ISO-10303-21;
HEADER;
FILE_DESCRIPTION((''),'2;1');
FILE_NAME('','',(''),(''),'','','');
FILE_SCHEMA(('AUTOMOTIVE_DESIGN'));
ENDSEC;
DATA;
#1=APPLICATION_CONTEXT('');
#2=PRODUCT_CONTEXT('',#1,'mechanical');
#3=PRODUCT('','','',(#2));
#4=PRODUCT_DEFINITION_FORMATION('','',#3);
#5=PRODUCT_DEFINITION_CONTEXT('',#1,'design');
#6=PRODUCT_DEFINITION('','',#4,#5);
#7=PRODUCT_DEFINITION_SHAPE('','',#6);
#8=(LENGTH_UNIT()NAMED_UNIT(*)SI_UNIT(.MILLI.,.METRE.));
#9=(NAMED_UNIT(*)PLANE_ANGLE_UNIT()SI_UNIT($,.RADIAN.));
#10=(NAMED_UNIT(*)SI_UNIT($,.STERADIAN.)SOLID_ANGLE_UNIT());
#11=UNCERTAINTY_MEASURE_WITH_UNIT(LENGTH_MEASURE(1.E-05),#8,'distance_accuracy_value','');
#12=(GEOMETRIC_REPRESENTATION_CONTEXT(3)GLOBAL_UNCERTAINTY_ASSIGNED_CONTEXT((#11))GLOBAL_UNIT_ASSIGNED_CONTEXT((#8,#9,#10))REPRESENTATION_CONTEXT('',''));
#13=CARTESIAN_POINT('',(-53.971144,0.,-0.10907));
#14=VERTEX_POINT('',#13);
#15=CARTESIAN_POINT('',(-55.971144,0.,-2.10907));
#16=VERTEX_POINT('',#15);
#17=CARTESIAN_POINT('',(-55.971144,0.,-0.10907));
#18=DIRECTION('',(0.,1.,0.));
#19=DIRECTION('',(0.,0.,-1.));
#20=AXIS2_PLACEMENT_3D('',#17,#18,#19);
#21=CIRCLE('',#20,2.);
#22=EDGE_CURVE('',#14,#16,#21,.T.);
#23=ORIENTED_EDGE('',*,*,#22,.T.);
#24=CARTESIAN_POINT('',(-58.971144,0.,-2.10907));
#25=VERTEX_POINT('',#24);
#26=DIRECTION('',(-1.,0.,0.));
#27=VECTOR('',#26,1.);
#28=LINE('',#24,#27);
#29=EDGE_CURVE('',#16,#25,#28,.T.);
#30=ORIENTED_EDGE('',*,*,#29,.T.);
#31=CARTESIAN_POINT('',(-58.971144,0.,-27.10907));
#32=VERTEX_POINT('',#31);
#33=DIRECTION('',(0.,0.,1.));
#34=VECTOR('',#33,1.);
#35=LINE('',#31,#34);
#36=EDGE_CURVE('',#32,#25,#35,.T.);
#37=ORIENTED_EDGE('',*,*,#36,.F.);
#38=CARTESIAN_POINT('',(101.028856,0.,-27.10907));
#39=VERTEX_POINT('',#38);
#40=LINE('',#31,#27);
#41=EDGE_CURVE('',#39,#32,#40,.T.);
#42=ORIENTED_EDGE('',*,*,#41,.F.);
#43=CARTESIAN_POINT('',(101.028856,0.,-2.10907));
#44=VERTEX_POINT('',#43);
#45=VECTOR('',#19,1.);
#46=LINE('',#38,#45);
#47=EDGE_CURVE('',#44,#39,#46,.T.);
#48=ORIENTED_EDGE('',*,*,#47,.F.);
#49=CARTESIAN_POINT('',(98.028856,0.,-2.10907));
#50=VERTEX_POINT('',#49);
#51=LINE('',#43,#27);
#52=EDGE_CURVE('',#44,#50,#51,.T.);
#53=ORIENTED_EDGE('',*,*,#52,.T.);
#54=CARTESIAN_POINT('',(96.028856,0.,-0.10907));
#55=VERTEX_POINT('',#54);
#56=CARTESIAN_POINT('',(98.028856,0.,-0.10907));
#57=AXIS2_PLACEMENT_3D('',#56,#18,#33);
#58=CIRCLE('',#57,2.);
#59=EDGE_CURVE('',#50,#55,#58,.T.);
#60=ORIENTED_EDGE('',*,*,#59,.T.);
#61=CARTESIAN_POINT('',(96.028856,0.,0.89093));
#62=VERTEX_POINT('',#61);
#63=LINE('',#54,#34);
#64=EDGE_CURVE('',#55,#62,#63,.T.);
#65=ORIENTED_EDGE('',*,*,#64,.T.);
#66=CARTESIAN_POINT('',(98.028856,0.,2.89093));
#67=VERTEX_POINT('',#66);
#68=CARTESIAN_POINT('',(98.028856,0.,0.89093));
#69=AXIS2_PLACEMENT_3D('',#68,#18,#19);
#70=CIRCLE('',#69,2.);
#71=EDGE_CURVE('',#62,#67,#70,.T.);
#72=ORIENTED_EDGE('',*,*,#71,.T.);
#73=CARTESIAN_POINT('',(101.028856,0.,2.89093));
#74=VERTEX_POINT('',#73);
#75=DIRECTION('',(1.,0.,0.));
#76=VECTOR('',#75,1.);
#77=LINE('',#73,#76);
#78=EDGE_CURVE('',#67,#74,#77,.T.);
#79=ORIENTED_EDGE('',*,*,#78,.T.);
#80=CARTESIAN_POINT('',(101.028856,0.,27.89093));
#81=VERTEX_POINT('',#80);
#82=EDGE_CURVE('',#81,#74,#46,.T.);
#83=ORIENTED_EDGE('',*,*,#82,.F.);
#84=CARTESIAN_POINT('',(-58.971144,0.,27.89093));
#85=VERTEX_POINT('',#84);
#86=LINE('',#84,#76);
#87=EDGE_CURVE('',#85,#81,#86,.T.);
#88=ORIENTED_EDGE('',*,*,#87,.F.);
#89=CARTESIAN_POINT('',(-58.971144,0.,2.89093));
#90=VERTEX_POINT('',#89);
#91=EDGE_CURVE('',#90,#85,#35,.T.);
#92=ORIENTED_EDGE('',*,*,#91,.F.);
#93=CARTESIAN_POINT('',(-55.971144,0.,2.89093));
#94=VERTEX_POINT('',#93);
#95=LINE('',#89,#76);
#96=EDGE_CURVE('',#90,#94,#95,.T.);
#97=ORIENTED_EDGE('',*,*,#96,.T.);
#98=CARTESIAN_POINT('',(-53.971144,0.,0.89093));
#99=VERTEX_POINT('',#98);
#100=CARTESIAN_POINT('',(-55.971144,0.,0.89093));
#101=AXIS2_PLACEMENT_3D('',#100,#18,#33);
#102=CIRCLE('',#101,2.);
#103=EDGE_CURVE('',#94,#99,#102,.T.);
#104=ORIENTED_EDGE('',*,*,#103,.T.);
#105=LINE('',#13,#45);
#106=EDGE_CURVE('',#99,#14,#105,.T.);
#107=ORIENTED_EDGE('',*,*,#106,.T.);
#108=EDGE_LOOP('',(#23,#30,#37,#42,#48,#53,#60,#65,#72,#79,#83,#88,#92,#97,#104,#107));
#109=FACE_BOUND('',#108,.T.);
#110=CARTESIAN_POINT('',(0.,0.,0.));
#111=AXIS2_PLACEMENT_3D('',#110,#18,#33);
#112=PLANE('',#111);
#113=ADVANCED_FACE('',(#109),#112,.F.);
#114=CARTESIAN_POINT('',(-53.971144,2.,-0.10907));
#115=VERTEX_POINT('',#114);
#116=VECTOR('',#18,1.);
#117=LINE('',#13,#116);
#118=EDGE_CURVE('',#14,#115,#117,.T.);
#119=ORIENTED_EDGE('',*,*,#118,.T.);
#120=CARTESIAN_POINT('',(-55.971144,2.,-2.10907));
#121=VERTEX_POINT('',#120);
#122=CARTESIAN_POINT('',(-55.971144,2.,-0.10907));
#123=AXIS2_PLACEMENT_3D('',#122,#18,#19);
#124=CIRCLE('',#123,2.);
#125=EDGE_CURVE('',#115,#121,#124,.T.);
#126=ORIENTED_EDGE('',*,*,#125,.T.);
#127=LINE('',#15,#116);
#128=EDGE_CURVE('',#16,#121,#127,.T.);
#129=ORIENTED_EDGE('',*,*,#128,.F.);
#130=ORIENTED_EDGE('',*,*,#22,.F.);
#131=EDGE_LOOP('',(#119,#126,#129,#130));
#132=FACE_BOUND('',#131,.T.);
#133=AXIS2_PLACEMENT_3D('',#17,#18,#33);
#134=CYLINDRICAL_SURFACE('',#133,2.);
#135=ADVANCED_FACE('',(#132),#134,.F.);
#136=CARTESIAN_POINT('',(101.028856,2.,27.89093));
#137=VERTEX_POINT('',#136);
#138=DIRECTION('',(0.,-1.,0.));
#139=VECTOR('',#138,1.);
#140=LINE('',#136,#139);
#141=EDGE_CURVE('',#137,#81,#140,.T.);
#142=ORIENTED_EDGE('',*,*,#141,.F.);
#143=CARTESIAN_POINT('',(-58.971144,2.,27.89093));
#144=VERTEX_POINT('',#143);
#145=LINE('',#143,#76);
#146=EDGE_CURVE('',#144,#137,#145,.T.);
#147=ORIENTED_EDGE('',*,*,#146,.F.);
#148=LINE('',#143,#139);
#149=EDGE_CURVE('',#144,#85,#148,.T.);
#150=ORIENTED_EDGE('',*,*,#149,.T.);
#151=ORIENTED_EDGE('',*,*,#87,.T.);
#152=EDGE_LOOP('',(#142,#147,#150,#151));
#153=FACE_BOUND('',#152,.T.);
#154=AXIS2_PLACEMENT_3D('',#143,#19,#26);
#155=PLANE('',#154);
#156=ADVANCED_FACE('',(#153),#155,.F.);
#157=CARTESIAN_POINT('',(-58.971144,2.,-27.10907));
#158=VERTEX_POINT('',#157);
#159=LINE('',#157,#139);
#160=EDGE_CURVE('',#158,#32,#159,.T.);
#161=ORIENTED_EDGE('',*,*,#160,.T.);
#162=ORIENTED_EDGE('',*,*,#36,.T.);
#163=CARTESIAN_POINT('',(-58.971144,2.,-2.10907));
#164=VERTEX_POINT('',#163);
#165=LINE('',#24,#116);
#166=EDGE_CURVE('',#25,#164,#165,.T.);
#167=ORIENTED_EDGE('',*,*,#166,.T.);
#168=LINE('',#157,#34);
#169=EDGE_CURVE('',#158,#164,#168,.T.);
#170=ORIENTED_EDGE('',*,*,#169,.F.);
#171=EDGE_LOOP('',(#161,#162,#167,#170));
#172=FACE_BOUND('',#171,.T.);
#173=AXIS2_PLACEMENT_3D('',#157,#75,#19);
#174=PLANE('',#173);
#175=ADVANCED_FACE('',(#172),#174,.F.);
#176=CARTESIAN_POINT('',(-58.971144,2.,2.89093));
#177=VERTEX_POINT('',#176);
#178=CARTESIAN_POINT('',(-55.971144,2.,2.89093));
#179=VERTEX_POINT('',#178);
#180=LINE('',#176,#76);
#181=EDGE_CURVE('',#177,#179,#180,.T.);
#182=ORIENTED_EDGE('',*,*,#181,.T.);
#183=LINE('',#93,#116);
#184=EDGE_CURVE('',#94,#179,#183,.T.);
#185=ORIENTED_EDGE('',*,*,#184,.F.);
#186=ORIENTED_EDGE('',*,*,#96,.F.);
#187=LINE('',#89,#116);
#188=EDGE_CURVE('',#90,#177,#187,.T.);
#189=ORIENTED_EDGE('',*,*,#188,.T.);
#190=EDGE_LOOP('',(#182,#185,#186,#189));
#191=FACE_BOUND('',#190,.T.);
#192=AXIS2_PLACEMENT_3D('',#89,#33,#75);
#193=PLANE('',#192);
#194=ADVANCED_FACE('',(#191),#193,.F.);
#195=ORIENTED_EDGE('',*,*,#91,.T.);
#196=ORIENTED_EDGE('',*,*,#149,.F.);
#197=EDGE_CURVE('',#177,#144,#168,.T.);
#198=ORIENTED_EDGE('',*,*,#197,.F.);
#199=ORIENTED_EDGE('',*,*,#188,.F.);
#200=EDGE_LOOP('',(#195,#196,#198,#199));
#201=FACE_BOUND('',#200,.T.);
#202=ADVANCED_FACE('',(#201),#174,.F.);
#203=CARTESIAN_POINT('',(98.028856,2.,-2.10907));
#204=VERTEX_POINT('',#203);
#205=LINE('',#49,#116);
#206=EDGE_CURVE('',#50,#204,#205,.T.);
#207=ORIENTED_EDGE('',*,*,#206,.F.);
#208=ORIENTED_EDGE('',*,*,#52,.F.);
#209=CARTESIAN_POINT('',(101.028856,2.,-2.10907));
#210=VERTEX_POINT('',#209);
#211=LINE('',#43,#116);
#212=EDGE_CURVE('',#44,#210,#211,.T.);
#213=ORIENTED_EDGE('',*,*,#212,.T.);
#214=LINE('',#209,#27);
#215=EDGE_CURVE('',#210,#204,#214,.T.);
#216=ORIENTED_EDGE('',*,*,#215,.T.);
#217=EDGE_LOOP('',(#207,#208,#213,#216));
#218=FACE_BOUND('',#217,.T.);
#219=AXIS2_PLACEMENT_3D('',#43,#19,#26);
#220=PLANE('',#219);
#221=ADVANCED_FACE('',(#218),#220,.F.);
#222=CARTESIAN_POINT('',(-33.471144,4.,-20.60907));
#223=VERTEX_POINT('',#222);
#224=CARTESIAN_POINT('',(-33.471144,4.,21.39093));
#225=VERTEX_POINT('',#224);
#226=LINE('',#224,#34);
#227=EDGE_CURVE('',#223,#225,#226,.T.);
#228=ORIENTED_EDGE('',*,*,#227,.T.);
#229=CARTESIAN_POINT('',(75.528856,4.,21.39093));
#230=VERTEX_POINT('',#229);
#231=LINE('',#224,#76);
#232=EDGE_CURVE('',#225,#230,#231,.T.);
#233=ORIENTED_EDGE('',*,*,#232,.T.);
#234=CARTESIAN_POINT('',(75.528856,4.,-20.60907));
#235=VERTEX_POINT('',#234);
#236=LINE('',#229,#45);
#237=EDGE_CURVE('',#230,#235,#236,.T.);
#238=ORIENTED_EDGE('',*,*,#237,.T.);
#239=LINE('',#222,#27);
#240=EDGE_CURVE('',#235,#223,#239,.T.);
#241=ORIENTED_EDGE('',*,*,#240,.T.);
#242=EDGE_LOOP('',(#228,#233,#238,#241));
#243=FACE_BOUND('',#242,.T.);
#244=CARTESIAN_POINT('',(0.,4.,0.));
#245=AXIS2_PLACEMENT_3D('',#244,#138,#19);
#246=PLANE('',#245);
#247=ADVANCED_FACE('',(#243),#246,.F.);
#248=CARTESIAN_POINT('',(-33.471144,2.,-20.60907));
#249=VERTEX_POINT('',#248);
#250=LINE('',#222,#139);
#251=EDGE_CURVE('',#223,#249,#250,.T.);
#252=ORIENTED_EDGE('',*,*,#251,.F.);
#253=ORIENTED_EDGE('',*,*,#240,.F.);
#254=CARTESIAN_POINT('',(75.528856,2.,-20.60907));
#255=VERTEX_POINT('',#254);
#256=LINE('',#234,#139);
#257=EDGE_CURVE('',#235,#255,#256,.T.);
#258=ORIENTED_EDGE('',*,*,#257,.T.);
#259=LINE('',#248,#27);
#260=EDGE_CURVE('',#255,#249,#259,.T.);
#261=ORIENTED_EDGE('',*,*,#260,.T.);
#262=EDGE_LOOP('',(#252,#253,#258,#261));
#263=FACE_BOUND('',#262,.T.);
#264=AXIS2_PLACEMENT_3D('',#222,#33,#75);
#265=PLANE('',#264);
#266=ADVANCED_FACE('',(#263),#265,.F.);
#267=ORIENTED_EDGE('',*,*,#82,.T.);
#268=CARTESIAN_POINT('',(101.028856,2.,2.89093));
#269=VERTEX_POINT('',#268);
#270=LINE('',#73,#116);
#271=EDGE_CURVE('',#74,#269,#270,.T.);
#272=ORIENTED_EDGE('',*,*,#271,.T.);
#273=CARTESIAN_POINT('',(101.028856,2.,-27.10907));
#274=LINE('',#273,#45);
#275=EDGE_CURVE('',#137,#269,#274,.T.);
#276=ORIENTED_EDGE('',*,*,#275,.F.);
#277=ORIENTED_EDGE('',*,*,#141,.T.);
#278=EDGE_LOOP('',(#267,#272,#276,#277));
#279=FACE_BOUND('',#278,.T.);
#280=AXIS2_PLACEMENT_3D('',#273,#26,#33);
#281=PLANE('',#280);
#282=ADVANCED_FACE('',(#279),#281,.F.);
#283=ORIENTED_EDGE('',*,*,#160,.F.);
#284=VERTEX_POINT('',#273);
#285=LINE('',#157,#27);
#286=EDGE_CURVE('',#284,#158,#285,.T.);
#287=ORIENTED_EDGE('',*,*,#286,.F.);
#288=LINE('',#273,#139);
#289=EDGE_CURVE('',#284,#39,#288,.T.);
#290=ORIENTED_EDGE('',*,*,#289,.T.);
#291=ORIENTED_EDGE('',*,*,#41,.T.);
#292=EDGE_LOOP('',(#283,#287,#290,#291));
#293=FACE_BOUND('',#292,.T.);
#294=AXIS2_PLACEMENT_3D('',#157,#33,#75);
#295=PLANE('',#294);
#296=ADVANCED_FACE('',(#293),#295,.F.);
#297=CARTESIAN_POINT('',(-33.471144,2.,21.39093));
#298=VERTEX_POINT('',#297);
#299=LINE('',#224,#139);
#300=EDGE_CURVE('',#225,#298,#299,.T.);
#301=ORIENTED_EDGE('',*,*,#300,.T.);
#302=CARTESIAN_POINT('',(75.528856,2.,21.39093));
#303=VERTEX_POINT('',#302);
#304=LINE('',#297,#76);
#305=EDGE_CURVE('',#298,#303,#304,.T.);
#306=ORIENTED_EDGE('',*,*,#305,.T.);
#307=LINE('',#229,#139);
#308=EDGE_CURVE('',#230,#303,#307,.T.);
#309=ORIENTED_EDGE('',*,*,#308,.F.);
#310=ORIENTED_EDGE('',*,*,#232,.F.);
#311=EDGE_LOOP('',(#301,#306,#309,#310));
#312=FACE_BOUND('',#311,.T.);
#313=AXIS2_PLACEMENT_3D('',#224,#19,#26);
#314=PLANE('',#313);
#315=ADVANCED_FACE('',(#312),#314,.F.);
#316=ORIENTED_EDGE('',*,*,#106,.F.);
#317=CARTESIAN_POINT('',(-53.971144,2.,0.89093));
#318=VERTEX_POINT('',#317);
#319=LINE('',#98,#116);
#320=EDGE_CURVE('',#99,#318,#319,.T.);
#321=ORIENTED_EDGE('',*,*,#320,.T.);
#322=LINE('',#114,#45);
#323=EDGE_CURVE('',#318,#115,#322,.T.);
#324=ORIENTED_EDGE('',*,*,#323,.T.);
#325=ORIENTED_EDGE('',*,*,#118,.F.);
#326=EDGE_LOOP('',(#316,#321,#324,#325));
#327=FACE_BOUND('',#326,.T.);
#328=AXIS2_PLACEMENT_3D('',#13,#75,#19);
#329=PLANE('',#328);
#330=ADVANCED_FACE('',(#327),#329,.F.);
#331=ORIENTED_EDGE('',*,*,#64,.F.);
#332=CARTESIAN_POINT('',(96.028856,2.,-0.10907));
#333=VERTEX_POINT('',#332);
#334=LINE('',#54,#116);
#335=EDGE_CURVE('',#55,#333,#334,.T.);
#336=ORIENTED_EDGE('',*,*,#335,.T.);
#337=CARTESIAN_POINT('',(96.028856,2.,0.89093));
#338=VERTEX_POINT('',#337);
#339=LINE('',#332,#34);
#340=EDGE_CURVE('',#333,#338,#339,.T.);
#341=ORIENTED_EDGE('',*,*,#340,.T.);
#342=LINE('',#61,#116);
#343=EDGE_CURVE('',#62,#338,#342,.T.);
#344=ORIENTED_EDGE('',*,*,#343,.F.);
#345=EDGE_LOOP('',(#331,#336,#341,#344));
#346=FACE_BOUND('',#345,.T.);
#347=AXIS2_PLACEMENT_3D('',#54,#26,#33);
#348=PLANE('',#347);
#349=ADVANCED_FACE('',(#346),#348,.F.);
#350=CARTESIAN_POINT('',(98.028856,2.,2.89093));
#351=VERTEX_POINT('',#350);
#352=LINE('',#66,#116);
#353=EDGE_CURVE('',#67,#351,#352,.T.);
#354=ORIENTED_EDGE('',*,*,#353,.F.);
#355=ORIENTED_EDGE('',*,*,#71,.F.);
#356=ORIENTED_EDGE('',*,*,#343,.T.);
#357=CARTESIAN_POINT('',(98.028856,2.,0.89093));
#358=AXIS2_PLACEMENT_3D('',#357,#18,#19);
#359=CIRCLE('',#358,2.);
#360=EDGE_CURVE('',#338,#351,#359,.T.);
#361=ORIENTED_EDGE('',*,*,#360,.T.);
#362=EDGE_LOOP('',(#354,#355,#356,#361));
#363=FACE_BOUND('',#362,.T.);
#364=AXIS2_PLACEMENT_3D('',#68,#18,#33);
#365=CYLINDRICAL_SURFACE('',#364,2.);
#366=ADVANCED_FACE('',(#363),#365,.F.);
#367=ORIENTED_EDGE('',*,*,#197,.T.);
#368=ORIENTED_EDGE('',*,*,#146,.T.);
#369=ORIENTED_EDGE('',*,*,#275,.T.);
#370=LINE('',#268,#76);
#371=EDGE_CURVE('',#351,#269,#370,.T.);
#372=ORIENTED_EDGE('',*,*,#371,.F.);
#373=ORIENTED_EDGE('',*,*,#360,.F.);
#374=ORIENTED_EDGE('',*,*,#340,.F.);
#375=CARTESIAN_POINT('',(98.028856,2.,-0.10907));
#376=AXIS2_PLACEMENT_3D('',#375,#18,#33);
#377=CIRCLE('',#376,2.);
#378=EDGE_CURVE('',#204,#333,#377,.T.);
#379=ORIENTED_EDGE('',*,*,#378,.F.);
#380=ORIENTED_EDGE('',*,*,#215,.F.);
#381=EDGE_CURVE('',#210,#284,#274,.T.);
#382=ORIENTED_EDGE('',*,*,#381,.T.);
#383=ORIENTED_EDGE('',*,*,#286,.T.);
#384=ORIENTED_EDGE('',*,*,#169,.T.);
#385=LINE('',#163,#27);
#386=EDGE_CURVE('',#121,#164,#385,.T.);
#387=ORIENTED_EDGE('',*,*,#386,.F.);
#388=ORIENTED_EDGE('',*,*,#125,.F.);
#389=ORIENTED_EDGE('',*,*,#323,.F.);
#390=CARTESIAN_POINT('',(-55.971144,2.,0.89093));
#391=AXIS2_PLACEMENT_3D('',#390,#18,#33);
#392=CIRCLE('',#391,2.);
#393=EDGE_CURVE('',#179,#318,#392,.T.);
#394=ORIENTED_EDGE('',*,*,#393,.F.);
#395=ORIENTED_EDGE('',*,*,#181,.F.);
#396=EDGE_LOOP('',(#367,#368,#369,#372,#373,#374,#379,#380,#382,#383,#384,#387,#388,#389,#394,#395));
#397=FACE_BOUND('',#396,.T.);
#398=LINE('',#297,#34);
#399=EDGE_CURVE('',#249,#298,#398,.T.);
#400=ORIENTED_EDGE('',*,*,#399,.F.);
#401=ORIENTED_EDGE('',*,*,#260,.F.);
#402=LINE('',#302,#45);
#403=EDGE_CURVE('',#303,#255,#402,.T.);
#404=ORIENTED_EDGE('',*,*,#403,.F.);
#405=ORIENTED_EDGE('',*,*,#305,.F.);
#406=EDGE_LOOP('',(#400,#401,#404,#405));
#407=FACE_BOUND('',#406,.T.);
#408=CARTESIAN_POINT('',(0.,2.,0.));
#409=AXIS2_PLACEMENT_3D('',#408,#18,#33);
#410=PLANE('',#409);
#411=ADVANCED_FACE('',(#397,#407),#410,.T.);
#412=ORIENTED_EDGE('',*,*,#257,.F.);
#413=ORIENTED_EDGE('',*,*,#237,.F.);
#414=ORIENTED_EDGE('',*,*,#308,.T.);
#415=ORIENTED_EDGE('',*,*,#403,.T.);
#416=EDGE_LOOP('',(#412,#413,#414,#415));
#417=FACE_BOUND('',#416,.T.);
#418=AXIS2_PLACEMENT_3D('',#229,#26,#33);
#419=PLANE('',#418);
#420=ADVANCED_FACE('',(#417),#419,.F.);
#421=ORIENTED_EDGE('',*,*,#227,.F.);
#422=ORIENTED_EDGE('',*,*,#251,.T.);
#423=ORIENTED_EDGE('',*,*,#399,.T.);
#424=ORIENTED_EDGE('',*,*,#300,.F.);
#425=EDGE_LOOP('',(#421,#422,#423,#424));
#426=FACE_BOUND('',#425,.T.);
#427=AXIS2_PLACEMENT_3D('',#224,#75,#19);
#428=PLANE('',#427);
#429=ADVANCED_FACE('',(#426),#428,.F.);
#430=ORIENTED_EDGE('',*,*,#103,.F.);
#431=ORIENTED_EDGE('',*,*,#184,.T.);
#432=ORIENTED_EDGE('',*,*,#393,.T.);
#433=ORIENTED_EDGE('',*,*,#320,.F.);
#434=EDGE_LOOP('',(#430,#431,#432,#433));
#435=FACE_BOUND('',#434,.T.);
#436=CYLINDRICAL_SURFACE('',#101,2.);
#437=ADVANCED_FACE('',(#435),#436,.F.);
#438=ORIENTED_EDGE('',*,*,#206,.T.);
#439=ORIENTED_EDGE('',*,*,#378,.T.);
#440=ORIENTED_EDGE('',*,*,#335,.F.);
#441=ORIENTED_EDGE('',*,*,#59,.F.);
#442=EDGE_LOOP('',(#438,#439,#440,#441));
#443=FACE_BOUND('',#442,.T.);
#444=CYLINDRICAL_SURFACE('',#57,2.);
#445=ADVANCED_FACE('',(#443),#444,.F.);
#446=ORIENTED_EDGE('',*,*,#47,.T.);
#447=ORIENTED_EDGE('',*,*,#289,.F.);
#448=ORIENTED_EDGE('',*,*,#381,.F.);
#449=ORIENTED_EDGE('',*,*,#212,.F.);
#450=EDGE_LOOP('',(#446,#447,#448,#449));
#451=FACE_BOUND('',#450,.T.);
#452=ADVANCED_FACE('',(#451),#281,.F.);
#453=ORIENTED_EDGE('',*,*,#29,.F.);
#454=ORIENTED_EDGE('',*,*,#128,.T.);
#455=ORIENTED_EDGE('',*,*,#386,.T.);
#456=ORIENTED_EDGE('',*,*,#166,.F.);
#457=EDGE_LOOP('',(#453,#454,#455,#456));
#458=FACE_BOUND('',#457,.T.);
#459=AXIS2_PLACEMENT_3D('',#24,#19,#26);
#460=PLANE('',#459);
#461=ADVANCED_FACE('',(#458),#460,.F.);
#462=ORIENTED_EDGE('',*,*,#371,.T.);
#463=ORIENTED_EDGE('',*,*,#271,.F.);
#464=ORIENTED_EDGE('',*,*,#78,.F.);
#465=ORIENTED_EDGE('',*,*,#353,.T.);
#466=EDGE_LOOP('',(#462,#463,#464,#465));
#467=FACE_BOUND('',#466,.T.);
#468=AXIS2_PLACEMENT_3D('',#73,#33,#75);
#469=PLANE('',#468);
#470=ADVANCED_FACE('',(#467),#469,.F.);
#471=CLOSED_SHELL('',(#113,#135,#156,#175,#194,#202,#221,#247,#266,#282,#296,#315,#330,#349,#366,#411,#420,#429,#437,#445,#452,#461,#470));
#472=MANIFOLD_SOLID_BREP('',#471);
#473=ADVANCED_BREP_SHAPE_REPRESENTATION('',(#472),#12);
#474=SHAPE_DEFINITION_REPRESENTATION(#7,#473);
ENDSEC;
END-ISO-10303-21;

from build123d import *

# Parameters (mm, degrees)
SKETCH1_W           = 160
SKETCH1_H           = 55
BOSS_EXTRUDE1_DEPTH = 2
SKETCH2_W           = 109
SKETCH2_H           = 42
BOSS_EXTRUDE2_DEPTH = 2
CUT_EXTRUDE1_DEPTH  = 2


with BuildPart() as part:
    # Sketch1 → Boss-Extrude1 (new body)
    with BuildSketch(Plane(origin=(0, 0, 0), x_dir=(1, 0, 0), z_dir=(0, 1, 0))):
        with Locations((21.028856201, -0.390930324)):
            Rectangle(SKETCH1_W, SKETCH1_H)
    extrude(amount=BOSS_EXTRUDE1_DEPTH)

    # Sketch2 → Boss-Extrude2 (add)
    with BuildSketch(Plane(origin=(0, 2, 0), x_dir=(1, 0, 0), z_dir=(0, 1, 0))):
        with Locations((21.028856201, -0.390930324)):
            Rectangle(SKETCH2_W, SKETCH2_H)
    extrude(amount=BOSS_EXTRUDE2_DEPTH)

    # Sketch3 → Cut-Extrude1 (cut)
    with BuildSketch(Plane(origin=(0, 2, 0), x_dir=(1, 0, 0), z_dir=(0, 1, 0))):
        with BuildLine():
            Line((-58.971143799, 2.109069676), (-55.971143799, 2.109069676))
            ThreePointArc((-55.971143799, 2.109069676), (-54.556930237, 1.523283239), (-53.971143799, 0.109069676))
            Line((-53.971143799, 0.109069676), (-53.971143799, -0.890930324))
            ThreePointArc((-53.971143799, -0.890930324), (-54.556930237, -2.305143886), (-55.971143799, -2.890930324))
            Line((-55.971143799, -2.890930324), (-58.971143799, -2.890930324))
            Line((-58.971143799, -2.890930324), (-58.971143799, 2.109069676))
        make_face()
        with BuildLine():
            Line((101.028856201, 2.109069676), (98.028856201, 2.109069676))
            ThreePointArc((98.028856201, 2.109069676), (96.614642638, 1.523283239), (96.028856201, 0.109069676))
            Line((96.028856201, 0.109069676), (96.028856201, -0.890930324))
            ThreePointArc((96.028856201, -0.890930324), (96.614642638, -2.305143886), (98.028856201, -2.890930324))
            Line((98.028856201, -2.890930324), (101.028856201, -2.890930324))
            Line((101.028856201, -2.890930324), (101.028856201, 2.109069676))
        make_face()
    extrude(amount=-CUT_EXTRUDE1_DEPTH, mode=Mode.SUBTRACT)


solid = part.part
